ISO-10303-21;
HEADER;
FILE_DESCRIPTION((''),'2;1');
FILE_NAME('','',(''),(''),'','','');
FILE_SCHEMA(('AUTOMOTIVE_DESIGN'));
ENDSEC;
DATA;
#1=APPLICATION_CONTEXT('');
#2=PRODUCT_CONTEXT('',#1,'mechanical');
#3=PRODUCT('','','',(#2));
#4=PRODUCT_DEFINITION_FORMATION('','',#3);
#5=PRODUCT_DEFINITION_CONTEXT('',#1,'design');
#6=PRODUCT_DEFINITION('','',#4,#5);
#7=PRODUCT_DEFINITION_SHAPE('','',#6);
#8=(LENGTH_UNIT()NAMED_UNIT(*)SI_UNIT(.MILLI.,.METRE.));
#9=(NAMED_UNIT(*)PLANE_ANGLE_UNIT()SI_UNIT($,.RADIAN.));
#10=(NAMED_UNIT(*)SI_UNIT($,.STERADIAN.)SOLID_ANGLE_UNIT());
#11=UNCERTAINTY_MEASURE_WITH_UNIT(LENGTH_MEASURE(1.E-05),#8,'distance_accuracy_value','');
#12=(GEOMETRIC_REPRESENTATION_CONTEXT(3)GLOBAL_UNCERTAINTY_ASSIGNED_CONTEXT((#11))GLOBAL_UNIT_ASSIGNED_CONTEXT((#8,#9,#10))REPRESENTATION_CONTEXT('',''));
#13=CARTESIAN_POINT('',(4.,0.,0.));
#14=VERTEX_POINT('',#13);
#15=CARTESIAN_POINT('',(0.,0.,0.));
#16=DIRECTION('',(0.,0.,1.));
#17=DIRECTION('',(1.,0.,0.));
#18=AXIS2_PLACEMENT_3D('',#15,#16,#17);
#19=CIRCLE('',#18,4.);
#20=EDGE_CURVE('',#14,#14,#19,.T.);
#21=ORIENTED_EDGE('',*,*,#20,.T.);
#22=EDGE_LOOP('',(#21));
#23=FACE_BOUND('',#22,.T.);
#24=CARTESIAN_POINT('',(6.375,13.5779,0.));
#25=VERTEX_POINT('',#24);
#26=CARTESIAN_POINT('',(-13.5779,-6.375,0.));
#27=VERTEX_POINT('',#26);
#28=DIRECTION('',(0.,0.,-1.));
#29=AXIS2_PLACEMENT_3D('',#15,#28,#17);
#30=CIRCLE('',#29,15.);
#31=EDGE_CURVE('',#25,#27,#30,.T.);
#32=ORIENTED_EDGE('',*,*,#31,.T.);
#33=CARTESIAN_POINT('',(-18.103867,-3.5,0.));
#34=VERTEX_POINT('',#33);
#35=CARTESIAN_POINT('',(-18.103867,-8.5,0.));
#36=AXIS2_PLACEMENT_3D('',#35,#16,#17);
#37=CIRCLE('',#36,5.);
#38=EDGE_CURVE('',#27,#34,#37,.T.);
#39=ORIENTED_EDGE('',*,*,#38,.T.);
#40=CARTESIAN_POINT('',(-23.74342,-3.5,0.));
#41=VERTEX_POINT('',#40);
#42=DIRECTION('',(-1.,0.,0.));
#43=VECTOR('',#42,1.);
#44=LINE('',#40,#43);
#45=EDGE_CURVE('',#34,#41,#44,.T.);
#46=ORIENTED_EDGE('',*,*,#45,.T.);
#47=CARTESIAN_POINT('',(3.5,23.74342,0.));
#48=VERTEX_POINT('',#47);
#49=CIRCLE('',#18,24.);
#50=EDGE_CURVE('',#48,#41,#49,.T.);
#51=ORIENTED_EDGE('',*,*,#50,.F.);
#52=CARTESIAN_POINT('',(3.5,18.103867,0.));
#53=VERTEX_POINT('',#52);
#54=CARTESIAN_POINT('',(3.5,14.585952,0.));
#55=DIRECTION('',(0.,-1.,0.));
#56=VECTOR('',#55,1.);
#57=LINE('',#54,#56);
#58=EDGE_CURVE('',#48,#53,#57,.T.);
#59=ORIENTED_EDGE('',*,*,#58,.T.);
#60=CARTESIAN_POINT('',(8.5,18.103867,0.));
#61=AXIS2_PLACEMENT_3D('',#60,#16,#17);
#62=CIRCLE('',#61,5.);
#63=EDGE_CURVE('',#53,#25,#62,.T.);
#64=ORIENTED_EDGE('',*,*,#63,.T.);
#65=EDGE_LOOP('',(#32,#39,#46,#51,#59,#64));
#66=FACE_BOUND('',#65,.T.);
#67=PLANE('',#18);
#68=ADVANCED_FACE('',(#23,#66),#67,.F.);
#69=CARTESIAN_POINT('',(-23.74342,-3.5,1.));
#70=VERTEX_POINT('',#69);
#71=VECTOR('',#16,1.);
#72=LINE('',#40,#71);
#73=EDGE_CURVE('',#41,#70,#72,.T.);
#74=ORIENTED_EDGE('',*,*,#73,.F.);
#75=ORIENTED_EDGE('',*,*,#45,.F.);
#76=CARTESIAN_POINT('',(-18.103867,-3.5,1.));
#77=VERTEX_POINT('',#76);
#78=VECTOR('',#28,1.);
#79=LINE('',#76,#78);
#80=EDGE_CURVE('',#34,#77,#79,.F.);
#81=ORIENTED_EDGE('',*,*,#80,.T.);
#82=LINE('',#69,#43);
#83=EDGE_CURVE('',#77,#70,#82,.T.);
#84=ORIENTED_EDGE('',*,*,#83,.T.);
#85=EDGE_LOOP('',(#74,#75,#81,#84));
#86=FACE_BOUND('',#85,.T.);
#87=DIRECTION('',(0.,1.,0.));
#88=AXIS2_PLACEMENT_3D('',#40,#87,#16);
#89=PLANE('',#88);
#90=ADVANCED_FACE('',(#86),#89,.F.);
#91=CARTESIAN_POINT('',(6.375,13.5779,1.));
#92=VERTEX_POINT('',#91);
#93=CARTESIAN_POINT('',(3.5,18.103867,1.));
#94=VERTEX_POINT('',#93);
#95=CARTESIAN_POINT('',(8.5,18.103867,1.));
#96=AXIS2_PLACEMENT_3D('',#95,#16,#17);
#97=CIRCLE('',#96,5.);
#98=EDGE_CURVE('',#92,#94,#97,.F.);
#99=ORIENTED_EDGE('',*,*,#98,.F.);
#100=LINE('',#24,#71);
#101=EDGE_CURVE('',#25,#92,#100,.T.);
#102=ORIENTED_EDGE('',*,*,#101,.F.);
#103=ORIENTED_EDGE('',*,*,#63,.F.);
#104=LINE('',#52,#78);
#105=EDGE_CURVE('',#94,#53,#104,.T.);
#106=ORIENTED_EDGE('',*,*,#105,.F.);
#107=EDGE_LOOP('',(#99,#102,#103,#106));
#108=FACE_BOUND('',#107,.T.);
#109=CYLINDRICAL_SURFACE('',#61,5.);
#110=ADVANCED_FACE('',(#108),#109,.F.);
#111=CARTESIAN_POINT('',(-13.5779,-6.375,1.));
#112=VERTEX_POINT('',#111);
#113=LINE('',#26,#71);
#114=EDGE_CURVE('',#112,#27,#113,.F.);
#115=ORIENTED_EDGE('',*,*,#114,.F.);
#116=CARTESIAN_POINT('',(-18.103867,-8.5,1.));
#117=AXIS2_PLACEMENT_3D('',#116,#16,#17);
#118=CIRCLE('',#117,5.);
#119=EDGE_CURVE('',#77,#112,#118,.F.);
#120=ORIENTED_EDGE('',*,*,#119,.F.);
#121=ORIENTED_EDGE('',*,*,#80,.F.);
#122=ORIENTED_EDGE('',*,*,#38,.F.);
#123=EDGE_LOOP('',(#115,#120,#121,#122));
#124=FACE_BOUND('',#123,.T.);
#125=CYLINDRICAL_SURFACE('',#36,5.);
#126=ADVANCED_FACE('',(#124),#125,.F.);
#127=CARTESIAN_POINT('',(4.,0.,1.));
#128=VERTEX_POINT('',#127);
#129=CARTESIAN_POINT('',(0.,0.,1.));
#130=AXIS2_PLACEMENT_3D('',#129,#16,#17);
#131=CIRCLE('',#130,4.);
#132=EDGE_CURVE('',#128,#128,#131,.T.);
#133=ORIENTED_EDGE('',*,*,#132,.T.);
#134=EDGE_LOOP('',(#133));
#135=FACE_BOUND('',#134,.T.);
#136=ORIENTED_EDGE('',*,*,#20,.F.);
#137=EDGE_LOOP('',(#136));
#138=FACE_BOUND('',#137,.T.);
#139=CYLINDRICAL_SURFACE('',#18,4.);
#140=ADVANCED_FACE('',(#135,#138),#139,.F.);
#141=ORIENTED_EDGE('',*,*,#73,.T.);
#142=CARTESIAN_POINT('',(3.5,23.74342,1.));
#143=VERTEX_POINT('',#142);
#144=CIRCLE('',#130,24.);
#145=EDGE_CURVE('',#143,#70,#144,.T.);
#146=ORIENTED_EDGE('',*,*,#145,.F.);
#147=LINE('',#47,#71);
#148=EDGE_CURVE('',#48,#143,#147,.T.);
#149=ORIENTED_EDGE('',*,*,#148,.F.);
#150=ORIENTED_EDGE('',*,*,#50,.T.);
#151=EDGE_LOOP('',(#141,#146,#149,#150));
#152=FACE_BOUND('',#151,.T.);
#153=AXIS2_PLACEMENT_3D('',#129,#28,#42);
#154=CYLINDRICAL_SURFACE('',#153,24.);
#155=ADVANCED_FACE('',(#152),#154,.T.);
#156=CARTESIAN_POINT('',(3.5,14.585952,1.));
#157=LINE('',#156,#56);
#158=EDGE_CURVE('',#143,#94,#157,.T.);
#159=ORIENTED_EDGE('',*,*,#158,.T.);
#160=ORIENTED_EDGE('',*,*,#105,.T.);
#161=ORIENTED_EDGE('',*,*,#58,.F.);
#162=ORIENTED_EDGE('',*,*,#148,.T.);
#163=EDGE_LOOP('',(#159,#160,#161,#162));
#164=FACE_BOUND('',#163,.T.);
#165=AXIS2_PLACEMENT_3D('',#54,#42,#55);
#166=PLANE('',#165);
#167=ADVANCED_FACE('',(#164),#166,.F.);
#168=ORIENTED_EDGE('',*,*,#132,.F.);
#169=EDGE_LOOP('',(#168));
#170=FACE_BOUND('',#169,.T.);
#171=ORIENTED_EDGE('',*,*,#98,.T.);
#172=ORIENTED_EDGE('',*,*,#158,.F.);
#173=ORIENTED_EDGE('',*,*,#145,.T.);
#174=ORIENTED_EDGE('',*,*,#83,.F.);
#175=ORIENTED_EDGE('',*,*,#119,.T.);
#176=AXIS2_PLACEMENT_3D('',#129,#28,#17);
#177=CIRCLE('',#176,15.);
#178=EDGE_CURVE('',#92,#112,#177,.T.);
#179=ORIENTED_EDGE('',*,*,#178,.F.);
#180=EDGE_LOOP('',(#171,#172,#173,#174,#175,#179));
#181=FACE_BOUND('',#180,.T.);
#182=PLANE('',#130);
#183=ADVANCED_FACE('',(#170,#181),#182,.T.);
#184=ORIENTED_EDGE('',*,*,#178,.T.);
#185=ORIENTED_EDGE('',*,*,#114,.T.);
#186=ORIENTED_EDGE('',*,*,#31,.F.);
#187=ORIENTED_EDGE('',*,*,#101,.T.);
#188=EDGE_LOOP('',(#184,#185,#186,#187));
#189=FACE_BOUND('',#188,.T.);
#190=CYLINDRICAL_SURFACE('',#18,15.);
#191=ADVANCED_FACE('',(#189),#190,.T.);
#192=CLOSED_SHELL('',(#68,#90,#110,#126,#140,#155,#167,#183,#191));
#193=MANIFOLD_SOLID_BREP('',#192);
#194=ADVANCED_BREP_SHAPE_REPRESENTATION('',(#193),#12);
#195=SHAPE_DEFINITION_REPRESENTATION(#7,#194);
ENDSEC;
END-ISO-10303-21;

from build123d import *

# Parameters (mm, degrees)
SKETCH_1_R          = 24
EXTRUDE_1_DEPTH     = 1
CUT_EXTRUDE_START   = -1
SKETCH_2_R          = 4
CUT_EXTRUDE_1_DEPTH = 1
FILLET_1_R          = 5
FILLET_2_R          = 5


with BuildPart() as part:
    # 草图1 → 拉伸1 (new body)
    with BuildSketch(Plane.XY):
        Circle(SKETCH_1_R)
    extrude(amount=EXTRUDE_1_DEPTH)

    # 草图2 → 切除-拉伸1 (cut)
    with BuildSketch(Plane.XY.offset(1).offset(CUT_EXTRUDE_START)):
        Circle(SKETCH_2_R)
        with BuildLine():
            Line((-23.743420141, -3.5), (-14.585952146, -3.5))
            ThreePointArc((-14.585952146, -3.5), (10.606601718, -10.606601718), (3.5, 14.585952146))
            Line((3.5, 14.585952146), (3.5, 23.743420141))
            ThreePointArc((3.5, 23.743420141), (16.970562748, -16.970562748), (-23.743420141, -3.5))
        make_face()
    extrude(amount=CUT_EXTRUDE_1_DEPTH, mode=Mode.SUBTRACT)

    # 圆角1
    fillet_1_edges = [part.edges().sort_by_distance(p)[0] for p in [
        (-14.585952146, -3.5, 0.5),
    ]]
    fillet(fillet_1_edges, radius=FILLET_1_R)

    # 圆角2
    fillet_2_edges = [part.edges().sort_by_distance(p)[0] for p in [
        (3.5, 14.585952146, 0.5),
    ]]
    fillet(fillet_2_edges, radius=FILLET_2_R)


solid = part.part
